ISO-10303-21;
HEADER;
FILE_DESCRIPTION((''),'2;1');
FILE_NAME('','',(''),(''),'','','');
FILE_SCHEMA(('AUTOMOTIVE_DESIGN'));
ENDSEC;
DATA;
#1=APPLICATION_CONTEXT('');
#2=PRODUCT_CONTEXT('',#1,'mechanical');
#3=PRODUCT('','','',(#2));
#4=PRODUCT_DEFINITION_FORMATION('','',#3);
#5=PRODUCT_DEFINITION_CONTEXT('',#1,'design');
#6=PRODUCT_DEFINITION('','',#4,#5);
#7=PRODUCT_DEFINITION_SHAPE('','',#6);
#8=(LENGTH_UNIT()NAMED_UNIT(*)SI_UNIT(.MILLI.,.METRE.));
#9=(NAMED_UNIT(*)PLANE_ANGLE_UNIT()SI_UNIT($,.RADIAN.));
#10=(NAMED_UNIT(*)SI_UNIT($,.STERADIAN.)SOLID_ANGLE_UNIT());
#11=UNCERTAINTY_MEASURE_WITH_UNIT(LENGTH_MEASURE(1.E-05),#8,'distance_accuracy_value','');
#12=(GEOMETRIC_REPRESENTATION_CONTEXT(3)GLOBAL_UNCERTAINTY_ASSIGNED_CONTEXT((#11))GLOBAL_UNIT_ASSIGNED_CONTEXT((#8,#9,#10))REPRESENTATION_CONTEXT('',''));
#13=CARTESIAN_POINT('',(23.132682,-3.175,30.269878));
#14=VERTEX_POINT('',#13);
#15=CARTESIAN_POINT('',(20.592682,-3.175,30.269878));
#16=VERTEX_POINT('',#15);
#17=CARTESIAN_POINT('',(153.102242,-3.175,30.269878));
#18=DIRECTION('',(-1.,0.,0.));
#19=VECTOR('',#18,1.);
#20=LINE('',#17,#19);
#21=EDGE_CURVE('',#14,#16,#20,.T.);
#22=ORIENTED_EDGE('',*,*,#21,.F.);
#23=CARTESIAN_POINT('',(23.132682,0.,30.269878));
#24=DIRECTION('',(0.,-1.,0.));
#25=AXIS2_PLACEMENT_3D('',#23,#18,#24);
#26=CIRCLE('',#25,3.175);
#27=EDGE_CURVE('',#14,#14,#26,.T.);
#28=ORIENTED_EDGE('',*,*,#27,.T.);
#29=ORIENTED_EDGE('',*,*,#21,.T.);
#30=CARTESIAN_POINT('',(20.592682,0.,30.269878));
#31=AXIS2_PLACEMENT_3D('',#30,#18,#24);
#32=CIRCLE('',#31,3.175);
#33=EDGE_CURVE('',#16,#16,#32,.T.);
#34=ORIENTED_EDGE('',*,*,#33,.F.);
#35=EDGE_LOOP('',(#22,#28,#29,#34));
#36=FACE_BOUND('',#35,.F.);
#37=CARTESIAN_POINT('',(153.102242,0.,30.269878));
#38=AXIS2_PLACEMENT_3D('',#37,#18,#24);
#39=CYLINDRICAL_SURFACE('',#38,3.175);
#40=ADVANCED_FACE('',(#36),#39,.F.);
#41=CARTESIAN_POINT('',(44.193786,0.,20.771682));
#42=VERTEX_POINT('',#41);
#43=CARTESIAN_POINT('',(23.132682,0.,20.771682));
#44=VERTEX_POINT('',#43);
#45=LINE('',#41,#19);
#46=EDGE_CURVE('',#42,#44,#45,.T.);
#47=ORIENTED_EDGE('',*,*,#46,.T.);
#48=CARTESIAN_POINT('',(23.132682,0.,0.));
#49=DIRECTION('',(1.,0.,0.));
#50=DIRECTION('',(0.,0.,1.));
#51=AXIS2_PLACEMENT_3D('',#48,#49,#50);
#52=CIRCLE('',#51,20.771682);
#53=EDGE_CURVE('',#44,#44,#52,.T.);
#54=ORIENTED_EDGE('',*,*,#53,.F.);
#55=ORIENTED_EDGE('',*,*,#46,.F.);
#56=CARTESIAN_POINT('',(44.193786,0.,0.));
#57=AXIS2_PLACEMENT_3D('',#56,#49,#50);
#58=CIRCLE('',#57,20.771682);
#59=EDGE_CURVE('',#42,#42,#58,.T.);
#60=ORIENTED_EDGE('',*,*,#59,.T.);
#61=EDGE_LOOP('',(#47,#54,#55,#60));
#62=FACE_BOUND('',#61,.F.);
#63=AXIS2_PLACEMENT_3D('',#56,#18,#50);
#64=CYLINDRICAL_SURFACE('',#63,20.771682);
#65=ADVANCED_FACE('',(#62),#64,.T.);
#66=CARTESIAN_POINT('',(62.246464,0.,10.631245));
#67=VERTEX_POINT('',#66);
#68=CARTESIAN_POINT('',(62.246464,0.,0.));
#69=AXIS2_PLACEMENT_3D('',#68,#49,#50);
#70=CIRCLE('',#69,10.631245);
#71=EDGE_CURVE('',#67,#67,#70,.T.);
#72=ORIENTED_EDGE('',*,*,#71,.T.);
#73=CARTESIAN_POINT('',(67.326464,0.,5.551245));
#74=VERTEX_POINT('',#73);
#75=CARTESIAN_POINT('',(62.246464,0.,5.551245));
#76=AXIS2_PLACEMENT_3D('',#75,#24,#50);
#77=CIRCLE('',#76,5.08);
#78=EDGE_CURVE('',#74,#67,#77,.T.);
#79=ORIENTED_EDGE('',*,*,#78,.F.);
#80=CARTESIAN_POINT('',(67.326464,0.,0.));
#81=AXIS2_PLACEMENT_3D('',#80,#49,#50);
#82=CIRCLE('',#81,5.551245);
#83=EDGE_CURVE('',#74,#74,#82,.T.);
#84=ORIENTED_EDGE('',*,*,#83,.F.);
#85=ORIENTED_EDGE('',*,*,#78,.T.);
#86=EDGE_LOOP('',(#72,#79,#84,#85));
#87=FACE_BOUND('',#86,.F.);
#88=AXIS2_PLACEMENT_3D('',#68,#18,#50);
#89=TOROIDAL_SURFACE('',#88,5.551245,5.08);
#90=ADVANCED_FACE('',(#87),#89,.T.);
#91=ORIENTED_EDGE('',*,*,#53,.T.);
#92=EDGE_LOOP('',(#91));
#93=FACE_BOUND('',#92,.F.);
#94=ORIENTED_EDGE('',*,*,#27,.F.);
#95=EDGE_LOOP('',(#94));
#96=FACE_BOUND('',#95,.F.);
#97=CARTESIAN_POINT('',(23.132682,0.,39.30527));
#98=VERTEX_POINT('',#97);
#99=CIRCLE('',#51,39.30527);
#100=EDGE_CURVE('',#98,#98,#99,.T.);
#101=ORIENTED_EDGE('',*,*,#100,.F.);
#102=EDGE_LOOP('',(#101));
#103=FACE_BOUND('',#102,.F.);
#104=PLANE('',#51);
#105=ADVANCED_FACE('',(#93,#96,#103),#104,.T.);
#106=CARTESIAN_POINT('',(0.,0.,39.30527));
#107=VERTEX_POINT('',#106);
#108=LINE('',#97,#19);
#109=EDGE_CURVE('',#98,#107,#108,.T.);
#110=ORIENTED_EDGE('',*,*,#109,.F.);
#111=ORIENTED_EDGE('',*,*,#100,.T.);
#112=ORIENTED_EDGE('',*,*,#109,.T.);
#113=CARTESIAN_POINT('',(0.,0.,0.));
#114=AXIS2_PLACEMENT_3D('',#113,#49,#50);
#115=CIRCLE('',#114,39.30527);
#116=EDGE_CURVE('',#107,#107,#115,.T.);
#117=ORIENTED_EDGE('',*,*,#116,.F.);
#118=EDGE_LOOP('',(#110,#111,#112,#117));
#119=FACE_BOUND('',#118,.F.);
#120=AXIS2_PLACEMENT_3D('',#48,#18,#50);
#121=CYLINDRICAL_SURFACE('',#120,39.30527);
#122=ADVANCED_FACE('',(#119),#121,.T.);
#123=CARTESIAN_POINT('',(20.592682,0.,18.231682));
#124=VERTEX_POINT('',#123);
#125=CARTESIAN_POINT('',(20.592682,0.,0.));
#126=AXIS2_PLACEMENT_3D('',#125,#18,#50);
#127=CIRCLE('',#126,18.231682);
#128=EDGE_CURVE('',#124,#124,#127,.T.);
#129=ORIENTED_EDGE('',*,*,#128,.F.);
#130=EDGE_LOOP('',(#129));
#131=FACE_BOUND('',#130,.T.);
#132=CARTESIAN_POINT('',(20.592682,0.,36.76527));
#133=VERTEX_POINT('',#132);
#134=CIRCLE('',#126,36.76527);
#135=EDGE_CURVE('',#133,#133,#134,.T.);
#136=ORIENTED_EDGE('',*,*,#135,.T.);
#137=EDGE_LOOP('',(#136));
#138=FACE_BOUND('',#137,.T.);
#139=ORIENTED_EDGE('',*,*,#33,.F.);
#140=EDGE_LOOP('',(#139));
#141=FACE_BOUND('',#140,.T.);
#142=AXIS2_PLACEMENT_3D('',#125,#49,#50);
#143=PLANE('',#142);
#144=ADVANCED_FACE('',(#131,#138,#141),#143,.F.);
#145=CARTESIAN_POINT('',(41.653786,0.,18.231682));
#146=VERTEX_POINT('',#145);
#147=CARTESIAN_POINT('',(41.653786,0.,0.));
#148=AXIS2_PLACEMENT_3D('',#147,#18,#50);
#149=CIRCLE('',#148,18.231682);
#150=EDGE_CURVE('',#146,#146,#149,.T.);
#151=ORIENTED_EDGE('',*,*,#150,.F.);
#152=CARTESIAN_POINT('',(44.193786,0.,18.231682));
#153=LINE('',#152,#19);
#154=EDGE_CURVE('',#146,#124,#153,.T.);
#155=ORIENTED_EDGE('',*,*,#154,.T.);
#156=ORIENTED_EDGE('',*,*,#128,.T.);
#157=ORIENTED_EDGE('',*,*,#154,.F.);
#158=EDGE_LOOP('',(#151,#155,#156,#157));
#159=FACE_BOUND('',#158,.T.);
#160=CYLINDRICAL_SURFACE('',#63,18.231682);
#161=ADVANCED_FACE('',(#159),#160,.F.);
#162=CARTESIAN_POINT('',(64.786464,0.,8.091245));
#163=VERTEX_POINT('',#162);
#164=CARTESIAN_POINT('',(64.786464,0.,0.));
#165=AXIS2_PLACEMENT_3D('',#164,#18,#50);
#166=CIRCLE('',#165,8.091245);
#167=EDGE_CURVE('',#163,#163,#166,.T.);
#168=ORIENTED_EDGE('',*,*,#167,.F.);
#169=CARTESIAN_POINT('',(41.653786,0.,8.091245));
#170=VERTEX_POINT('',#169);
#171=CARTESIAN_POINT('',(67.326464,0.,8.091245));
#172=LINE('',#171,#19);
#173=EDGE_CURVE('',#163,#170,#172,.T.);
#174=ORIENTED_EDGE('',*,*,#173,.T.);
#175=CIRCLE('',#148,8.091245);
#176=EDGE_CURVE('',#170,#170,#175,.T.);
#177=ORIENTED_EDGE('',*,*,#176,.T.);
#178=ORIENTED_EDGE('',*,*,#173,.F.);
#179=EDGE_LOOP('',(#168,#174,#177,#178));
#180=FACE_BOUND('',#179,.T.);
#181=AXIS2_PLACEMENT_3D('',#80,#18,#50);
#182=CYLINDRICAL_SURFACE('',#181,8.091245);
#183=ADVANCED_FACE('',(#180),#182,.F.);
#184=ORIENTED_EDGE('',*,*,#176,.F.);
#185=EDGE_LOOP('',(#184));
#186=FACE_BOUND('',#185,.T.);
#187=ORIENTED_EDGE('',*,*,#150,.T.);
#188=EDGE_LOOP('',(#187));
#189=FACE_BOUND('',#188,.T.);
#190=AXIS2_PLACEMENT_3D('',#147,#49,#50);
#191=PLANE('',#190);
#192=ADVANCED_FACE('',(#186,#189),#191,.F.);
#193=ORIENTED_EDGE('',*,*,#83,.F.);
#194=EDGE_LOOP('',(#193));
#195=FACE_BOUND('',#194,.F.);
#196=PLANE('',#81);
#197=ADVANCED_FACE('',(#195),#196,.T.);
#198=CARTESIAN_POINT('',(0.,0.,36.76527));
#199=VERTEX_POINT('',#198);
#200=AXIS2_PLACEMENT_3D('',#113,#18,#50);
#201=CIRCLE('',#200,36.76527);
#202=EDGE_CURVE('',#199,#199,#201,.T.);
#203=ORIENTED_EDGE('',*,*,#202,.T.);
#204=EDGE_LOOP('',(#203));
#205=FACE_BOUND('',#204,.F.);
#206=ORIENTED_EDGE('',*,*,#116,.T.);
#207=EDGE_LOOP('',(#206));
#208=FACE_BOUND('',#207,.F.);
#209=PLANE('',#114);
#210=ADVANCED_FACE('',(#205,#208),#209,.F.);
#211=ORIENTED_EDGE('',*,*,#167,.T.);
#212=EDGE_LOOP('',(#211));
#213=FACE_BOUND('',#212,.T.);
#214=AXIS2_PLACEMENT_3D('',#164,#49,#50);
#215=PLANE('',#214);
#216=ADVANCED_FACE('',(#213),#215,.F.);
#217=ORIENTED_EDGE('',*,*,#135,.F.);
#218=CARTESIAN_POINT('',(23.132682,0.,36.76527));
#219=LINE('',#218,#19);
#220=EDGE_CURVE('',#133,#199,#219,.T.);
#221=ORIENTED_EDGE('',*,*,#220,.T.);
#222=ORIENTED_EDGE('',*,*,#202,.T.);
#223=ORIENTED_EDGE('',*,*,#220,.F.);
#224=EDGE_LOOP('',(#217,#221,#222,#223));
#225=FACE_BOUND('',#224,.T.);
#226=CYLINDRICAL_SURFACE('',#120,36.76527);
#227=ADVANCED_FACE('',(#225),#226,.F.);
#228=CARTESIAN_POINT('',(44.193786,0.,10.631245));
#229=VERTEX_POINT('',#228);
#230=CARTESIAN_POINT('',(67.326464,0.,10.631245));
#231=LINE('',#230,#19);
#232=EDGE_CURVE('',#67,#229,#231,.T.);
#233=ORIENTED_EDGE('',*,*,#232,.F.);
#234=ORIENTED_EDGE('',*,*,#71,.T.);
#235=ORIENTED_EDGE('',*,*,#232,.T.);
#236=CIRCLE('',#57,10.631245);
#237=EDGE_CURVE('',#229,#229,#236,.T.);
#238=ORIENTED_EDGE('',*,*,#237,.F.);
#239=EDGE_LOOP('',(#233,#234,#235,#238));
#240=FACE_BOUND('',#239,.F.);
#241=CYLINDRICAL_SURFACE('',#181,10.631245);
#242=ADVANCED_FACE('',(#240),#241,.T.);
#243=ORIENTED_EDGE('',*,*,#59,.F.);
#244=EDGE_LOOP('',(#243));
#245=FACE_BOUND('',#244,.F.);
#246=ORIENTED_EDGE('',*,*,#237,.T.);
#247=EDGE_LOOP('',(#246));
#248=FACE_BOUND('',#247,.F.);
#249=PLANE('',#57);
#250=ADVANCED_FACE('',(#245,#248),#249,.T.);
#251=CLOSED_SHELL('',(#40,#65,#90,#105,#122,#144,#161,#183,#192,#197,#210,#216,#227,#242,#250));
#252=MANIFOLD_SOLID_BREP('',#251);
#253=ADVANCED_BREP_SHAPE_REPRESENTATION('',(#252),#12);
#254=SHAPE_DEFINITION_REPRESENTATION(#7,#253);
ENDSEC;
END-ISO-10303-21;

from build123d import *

# Parameters (mm, degrees)
F2_T = -2.54
F3_R = 5.08
F5_D = 6.35


with BuildPart() as f1:
    # F0 (on Front) → F1 (revolve)
    with BuildSketch(Plane.XZ):
        Polygon((0, 39.3052697182), (0, 0), (67.3264637589, 0), (67.3264637589, 10.6312446296), (44.1937856376, 10.6312446296), (44.1937856376, 20.7716822624), (23.1326818466, 20.7716822624), (23.1326818466, 39.3052697182), align=None)
    revolve(axis=Axis((33.6632318795, 0, 0), (1, 0, 0)))

    # F2
    f2_openings = [f1.faces().sort_by_distance(p)[0] for p in [
        (0, 0, 0),
    ]]
    offset(amount=F2_T, openings=f2_openings, kind=Kind.INTERSECTION)

    # F3
    f3_edges = [f1.edges().sort_by_distance(p)[0] for p in [
        (67.326464, 0, -10.631245),
    ]]
    fillet(f3_edges, radius=F3_R)

    # F5 (through all)
    with Locations(Plane.YZ.offset(23.1326818466)):
        with Locations((0, 30.2698779851)):
            Hole(F5_D / 2)


solid = f1.part
